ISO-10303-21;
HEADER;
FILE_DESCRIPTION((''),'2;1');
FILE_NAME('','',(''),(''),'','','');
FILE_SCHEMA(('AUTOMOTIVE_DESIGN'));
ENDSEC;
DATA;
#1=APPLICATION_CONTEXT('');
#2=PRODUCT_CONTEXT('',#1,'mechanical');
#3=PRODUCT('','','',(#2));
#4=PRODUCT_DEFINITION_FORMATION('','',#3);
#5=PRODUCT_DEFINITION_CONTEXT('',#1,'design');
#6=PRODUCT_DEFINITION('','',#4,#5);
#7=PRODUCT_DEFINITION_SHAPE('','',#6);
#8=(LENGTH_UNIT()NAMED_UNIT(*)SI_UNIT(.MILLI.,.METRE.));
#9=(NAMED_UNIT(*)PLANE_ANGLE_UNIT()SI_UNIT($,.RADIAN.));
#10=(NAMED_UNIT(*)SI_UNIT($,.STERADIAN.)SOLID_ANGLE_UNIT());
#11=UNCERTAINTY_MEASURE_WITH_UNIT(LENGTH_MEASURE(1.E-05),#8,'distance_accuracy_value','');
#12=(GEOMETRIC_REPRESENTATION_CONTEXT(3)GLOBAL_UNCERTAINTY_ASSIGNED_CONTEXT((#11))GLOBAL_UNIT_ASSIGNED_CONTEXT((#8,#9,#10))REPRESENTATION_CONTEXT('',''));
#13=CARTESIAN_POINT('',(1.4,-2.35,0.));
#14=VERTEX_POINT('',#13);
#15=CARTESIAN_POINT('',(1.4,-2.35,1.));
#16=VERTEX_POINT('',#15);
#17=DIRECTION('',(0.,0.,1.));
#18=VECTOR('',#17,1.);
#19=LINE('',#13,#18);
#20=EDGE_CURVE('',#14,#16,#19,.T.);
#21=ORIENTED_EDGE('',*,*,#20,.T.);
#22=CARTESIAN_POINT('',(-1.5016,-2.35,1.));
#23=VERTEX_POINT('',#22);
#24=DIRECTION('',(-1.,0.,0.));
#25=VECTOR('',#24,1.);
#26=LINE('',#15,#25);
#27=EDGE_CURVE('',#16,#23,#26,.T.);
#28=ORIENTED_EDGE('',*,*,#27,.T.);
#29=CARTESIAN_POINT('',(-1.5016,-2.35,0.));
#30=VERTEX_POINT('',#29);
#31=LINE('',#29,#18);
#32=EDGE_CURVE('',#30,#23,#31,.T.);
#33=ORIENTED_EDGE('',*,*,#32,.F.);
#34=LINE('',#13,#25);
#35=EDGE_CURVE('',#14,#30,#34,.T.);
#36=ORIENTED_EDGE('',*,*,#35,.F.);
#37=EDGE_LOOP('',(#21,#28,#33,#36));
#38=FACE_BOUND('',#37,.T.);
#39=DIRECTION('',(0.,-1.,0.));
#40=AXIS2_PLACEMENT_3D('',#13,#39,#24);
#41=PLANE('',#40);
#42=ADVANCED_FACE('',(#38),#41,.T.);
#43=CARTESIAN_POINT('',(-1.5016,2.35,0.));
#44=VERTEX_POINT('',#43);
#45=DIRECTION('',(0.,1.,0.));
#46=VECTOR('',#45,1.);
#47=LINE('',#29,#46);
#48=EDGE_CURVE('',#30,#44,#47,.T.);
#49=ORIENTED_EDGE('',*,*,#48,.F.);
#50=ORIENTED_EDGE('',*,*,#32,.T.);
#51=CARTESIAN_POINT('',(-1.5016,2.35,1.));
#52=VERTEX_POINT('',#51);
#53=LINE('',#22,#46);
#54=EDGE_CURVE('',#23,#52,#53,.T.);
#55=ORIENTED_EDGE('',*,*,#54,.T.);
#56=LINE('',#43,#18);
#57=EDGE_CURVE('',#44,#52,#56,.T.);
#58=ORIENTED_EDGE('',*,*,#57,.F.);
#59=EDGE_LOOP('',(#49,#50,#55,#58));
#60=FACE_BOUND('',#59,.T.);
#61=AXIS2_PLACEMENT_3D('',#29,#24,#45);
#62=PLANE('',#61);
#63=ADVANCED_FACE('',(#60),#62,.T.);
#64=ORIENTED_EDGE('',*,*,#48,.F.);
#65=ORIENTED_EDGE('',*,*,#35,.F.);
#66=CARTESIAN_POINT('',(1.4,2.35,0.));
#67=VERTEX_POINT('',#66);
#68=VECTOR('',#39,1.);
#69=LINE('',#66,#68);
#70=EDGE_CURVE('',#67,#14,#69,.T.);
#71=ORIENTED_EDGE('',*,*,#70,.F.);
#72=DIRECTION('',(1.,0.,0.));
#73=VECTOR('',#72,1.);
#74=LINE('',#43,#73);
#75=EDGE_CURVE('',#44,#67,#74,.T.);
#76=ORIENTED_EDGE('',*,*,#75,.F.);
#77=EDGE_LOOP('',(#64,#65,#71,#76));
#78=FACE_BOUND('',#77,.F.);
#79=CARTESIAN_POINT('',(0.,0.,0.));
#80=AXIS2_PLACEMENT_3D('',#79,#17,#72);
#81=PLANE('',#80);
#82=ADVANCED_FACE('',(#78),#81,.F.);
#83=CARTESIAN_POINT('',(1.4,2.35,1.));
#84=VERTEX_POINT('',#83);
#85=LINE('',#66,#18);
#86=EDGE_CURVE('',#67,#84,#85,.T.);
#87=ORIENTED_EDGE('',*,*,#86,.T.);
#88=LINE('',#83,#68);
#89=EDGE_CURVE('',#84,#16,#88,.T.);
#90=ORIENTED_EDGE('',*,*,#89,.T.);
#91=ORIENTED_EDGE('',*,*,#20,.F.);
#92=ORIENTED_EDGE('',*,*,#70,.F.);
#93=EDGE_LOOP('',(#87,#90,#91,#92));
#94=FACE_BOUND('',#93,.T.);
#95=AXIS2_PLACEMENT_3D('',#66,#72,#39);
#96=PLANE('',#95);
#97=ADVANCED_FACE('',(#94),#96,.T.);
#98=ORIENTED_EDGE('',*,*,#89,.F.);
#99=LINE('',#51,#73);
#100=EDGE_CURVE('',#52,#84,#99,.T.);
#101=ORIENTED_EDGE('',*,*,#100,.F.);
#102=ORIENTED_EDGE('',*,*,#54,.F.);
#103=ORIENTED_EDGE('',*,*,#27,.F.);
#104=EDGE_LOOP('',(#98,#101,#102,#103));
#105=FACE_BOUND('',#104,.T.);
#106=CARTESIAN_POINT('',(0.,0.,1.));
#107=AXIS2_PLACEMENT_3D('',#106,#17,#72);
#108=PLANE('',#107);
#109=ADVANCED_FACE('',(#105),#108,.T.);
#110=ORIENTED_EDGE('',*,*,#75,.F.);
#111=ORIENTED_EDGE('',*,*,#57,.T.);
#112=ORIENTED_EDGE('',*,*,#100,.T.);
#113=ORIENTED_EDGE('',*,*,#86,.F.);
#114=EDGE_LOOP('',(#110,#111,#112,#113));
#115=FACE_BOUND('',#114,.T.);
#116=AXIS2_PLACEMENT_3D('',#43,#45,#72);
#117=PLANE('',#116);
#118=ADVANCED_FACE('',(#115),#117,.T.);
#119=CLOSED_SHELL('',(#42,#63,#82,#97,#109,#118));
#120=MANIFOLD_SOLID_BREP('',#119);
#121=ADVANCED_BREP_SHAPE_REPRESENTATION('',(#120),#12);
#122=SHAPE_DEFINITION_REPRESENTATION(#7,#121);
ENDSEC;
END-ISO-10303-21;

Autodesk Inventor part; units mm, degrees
ref_plane "YZ Plane" through (0, 0, 0) normal (1, 0, 0) x (0, 1, 0)
ref_plane "XZ Plane" through (0, 0, 0) normal (0, 1, 0) x (-1, 0, 0)
ref_plane "XY Plane" through (0, 0, 0) normal (0, 0, 1) x (1, 0, 0)
sketch "P-LCC-2, LED_IC_2_STATUS_P-LCC-2_62" plane through (0, 0, 0) normal (0, 0, 1) x (1, 0, 0)
  line L0 (-1.5016, 2.35) -> (1.4, 2.35)
  line L1 (1.4, 2.35) -> (1.4, -2.35)
  line L2 (1.4, -2.35) -> (-1.5016, -2.35)
  line L3 (-1.5016, -2.35) -> (-1.5016, 2.35)
extrude "Extrusion1" add sketch "P-LCC-2, LED_IC_2_STATUS_P-LCC-2_62" along normal blind 1
properties part number "LED_IC_2_STATUS_P-LCC-2"
